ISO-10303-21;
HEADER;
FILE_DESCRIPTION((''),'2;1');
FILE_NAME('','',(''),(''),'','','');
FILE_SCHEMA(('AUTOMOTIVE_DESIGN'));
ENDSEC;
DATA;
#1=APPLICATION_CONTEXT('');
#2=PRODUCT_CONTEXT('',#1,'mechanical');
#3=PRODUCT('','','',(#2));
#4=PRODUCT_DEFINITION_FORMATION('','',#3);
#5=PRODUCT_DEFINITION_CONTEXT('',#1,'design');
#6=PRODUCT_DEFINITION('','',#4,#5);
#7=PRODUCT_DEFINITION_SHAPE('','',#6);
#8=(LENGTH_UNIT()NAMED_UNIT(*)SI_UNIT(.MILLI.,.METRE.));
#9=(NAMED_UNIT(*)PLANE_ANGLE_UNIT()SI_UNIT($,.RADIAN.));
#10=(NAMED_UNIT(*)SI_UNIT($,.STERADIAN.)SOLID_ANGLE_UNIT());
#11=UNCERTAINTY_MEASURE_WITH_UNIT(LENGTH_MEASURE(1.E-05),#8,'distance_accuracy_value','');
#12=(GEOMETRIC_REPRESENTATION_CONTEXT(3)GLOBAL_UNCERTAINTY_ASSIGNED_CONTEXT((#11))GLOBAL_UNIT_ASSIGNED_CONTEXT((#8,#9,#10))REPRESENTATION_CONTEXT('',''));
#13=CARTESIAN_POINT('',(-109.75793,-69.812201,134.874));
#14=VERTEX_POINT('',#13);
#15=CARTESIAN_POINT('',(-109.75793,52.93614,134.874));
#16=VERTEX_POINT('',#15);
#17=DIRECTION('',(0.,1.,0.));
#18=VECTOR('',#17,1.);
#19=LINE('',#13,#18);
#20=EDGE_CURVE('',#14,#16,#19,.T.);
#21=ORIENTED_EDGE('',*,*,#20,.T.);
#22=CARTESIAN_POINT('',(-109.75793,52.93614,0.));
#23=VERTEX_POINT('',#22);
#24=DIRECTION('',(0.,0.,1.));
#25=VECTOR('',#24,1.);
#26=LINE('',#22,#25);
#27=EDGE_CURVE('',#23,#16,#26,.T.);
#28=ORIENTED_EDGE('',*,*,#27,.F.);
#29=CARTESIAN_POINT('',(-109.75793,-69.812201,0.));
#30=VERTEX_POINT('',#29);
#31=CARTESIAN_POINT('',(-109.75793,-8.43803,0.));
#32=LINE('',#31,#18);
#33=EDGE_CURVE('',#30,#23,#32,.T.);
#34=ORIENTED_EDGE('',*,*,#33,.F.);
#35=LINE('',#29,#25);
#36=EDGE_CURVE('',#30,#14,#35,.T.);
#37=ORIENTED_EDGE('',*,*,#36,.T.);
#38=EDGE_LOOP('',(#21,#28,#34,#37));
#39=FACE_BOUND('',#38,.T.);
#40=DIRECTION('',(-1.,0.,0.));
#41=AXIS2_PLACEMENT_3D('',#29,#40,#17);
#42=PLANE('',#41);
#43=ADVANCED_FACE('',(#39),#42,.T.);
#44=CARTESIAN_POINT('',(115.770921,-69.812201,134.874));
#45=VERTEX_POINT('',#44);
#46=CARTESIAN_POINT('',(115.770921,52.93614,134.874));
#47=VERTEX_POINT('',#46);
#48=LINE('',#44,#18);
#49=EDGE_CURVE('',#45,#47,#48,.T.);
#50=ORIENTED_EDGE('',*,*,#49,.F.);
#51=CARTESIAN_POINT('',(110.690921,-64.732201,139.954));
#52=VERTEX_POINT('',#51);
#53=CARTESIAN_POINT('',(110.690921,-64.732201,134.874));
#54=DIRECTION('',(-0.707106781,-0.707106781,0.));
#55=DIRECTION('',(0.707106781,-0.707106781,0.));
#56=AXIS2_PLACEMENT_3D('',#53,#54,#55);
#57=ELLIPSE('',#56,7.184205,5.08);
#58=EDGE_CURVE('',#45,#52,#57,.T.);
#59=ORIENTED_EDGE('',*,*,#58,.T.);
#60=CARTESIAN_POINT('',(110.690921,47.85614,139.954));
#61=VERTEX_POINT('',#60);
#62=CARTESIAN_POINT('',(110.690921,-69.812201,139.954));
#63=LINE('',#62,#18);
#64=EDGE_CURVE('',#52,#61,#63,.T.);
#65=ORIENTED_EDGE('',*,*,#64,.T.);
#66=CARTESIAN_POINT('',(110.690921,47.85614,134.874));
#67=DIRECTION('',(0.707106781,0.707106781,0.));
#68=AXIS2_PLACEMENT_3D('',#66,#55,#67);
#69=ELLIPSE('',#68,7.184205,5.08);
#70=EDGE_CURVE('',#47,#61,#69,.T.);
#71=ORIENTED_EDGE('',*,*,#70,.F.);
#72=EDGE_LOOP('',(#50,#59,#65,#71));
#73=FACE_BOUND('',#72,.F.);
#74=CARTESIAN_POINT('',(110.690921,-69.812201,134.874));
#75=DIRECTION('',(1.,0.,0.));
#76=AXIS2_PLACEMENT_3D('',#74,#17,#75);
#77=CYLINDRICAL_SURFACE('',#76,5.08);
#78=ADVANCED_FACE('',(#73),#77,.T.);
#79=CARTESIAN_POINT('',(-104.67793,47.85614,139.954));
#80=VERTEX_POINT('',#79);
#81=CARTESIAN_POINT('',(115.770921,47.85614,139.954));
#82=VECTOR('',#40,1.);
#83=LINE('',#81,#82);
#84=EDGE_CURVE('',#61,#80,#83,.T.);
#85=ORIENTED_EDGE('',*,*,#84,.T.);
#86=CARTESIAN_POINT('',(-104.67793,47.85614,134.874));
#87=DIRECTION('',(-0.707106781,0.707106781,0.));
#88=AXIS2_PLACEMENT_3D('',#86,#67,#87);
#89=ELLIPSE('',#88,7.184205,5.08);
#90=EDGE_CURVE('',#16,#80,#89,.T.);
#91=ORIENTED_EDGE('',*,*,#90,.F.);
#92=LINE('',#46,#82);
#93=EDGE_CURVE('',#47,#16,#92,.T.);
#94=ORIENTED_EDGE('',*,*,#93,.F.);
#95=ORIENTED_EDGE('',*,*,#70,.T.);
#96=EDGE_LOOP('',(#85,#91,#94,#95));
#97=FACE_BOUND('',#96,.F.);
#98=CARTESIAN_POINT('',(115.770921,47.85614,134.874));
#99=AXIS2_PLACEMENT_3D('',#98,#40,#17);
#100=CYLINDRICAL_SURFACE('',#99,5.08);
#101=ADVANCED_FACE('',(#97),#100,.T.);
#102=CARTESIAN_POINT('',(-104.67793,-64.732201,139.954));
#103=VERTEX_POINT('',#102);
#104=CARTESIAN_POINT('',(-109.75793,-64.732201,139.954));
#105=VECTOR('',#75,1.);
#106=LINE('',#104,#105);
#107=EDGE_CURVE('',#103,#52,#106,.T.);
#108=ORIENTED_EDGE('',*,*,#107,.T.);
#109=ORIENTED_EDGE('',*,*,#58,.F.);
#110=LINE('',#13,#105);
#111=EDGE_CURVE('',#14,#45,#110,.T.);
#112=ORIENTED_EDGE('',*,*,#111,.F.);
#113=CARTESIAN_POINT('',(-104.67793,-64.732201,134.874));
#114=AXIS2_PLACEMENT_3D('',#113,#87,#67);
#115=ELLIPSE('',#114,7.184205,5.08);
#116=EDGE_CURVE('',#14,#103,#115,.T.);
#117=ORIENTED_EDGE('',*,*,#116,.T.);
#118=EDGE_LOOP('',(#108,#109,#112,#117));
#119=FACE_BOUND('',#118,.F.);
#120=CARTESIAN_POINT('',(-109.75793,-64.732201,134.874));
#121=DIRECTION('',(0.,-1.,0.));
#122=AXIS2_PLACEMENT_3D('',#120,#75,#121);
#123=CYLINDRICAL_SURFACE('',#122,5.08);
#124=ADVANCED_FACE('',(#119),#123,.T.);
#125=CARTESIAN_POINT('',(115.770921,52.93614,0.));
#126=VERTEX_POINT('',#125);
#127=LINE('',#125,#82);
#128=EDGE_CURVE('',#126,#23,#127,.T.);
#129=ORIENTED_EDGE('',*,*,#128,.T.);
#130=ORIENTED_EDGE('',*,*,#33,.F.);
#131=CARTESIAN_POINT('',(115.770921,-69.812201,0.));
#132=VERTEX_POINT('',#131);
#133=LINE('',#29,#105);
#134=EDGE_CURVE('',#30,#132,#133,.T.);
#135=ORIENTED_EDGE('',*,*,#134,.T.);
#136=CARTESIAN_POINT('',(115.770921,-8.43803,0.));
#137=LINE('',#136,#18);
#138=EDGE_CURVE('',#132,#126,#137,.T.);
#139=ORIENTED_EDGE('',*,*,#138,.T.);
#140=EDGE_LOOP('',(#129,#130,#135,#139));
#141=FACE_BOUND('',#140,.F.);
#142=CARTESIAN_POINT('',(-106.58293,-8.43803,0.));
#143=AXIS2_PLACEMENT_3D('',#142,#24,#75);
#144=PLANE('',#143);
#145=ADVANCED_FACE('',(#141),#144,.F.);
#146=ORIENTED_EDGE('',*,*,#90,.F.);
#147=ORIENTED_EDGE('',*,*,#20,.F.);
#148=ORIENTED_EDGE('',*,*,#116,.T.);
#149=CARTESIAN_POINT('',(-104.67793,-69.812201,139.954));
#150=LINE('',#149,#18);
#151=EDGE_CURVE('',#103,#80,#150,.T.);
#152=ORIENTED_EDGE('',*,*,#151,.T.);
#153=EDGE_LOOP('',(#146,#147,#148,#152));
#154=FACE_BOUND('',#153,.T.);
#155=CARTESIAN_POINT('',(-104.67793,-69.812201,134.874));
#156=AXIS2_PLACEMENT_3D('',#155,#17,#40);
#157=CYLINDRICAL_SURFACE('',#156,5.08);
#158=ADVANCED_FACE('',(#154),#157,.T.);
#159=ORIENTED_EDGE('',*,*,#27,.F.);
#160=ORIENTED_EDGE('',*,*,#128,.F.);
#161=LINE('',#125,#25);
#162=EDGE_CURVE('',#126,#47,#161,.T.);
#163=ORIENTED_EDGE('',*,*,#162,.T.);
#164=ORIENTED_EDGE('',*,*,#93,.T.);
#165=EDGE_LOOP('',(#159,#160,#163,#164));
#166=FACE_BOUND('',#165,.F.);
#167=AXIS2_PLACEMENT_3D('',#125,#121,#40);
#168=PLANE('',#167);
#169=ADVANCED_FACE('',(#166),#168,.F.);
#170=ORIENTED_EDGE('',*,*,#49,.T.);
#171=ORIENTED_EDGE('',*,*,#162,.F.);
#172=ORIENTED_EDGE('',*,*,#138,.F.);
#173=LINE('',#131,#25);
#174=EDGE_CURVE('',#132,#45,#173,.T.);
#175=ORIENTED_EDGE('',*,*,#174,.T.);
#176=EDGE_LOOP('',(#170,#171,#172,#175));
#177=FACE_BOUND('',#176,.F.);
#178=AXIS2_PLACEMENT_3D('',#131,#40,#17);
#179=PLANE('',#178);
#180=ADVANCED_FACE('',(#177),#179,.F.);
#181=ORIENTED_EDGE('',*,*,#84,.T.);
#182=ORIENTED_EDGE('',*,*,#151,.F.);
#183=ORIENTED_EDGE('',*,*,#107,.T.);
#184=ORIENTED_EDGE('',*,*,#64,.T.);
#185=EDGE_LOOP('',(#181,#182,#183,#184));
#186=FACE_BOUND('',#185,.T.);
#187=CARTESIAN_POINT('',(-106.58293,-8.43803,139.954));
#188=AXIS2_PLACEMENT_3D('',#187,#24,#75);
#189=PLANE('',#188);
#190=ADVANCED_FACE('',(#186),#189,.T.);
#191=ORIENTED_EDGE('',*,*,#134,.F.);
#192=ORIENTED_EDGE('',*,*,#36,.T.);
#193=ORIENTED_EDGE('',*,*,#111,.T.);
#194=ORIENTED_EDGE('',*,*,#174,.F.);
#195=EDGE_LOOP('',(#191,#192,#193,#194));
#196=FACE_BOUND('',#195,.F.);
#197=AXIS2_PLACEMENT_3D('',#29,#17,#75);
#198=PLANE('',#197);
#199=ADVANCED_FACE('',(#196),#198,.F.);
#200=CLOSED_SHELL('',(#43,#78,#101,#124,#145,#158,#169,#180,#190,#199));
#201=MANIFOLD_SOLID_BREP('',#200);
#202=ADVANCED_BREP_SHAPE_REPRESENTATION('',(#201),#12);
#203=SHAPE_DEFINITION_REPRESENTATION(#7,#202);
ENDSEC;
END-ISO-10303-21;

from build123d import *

# Parameters (mm, degrees)
F0_W     = 6.35
F0_H     = 122.7483414114
F0_W_2   = 219.1788511515
F1_DEPTH = 139.954
F2_R     = 5.08


with BuildPart() as f1:
    # F0 (on Top) → F1 (new body)
    with BuildSketch(Plane.XY):
        with Locations((-106.5829300404, -8.4380302578)):
            Rectangle(F0_W, F0_H)
        with Locations((6.1814955354, -8.4380302578)):
            Rectangle(F0_W_2, F0_H)
    extrude(amount=F1_DEPTH)

    # F2
    f2_edges = [f1.edges().sort_by_distance(p)[0] for p in [
        (3.006496, -69.812201, 139.954),
        (115.770921, -8.43803, 139.954),
        (3.006496, 52.93614, 139.954),
        (-109.75793, -8.43803, 139.954),
    ]]
    fillet(f2_edges, radius=F2_R)


solid = f1.part
